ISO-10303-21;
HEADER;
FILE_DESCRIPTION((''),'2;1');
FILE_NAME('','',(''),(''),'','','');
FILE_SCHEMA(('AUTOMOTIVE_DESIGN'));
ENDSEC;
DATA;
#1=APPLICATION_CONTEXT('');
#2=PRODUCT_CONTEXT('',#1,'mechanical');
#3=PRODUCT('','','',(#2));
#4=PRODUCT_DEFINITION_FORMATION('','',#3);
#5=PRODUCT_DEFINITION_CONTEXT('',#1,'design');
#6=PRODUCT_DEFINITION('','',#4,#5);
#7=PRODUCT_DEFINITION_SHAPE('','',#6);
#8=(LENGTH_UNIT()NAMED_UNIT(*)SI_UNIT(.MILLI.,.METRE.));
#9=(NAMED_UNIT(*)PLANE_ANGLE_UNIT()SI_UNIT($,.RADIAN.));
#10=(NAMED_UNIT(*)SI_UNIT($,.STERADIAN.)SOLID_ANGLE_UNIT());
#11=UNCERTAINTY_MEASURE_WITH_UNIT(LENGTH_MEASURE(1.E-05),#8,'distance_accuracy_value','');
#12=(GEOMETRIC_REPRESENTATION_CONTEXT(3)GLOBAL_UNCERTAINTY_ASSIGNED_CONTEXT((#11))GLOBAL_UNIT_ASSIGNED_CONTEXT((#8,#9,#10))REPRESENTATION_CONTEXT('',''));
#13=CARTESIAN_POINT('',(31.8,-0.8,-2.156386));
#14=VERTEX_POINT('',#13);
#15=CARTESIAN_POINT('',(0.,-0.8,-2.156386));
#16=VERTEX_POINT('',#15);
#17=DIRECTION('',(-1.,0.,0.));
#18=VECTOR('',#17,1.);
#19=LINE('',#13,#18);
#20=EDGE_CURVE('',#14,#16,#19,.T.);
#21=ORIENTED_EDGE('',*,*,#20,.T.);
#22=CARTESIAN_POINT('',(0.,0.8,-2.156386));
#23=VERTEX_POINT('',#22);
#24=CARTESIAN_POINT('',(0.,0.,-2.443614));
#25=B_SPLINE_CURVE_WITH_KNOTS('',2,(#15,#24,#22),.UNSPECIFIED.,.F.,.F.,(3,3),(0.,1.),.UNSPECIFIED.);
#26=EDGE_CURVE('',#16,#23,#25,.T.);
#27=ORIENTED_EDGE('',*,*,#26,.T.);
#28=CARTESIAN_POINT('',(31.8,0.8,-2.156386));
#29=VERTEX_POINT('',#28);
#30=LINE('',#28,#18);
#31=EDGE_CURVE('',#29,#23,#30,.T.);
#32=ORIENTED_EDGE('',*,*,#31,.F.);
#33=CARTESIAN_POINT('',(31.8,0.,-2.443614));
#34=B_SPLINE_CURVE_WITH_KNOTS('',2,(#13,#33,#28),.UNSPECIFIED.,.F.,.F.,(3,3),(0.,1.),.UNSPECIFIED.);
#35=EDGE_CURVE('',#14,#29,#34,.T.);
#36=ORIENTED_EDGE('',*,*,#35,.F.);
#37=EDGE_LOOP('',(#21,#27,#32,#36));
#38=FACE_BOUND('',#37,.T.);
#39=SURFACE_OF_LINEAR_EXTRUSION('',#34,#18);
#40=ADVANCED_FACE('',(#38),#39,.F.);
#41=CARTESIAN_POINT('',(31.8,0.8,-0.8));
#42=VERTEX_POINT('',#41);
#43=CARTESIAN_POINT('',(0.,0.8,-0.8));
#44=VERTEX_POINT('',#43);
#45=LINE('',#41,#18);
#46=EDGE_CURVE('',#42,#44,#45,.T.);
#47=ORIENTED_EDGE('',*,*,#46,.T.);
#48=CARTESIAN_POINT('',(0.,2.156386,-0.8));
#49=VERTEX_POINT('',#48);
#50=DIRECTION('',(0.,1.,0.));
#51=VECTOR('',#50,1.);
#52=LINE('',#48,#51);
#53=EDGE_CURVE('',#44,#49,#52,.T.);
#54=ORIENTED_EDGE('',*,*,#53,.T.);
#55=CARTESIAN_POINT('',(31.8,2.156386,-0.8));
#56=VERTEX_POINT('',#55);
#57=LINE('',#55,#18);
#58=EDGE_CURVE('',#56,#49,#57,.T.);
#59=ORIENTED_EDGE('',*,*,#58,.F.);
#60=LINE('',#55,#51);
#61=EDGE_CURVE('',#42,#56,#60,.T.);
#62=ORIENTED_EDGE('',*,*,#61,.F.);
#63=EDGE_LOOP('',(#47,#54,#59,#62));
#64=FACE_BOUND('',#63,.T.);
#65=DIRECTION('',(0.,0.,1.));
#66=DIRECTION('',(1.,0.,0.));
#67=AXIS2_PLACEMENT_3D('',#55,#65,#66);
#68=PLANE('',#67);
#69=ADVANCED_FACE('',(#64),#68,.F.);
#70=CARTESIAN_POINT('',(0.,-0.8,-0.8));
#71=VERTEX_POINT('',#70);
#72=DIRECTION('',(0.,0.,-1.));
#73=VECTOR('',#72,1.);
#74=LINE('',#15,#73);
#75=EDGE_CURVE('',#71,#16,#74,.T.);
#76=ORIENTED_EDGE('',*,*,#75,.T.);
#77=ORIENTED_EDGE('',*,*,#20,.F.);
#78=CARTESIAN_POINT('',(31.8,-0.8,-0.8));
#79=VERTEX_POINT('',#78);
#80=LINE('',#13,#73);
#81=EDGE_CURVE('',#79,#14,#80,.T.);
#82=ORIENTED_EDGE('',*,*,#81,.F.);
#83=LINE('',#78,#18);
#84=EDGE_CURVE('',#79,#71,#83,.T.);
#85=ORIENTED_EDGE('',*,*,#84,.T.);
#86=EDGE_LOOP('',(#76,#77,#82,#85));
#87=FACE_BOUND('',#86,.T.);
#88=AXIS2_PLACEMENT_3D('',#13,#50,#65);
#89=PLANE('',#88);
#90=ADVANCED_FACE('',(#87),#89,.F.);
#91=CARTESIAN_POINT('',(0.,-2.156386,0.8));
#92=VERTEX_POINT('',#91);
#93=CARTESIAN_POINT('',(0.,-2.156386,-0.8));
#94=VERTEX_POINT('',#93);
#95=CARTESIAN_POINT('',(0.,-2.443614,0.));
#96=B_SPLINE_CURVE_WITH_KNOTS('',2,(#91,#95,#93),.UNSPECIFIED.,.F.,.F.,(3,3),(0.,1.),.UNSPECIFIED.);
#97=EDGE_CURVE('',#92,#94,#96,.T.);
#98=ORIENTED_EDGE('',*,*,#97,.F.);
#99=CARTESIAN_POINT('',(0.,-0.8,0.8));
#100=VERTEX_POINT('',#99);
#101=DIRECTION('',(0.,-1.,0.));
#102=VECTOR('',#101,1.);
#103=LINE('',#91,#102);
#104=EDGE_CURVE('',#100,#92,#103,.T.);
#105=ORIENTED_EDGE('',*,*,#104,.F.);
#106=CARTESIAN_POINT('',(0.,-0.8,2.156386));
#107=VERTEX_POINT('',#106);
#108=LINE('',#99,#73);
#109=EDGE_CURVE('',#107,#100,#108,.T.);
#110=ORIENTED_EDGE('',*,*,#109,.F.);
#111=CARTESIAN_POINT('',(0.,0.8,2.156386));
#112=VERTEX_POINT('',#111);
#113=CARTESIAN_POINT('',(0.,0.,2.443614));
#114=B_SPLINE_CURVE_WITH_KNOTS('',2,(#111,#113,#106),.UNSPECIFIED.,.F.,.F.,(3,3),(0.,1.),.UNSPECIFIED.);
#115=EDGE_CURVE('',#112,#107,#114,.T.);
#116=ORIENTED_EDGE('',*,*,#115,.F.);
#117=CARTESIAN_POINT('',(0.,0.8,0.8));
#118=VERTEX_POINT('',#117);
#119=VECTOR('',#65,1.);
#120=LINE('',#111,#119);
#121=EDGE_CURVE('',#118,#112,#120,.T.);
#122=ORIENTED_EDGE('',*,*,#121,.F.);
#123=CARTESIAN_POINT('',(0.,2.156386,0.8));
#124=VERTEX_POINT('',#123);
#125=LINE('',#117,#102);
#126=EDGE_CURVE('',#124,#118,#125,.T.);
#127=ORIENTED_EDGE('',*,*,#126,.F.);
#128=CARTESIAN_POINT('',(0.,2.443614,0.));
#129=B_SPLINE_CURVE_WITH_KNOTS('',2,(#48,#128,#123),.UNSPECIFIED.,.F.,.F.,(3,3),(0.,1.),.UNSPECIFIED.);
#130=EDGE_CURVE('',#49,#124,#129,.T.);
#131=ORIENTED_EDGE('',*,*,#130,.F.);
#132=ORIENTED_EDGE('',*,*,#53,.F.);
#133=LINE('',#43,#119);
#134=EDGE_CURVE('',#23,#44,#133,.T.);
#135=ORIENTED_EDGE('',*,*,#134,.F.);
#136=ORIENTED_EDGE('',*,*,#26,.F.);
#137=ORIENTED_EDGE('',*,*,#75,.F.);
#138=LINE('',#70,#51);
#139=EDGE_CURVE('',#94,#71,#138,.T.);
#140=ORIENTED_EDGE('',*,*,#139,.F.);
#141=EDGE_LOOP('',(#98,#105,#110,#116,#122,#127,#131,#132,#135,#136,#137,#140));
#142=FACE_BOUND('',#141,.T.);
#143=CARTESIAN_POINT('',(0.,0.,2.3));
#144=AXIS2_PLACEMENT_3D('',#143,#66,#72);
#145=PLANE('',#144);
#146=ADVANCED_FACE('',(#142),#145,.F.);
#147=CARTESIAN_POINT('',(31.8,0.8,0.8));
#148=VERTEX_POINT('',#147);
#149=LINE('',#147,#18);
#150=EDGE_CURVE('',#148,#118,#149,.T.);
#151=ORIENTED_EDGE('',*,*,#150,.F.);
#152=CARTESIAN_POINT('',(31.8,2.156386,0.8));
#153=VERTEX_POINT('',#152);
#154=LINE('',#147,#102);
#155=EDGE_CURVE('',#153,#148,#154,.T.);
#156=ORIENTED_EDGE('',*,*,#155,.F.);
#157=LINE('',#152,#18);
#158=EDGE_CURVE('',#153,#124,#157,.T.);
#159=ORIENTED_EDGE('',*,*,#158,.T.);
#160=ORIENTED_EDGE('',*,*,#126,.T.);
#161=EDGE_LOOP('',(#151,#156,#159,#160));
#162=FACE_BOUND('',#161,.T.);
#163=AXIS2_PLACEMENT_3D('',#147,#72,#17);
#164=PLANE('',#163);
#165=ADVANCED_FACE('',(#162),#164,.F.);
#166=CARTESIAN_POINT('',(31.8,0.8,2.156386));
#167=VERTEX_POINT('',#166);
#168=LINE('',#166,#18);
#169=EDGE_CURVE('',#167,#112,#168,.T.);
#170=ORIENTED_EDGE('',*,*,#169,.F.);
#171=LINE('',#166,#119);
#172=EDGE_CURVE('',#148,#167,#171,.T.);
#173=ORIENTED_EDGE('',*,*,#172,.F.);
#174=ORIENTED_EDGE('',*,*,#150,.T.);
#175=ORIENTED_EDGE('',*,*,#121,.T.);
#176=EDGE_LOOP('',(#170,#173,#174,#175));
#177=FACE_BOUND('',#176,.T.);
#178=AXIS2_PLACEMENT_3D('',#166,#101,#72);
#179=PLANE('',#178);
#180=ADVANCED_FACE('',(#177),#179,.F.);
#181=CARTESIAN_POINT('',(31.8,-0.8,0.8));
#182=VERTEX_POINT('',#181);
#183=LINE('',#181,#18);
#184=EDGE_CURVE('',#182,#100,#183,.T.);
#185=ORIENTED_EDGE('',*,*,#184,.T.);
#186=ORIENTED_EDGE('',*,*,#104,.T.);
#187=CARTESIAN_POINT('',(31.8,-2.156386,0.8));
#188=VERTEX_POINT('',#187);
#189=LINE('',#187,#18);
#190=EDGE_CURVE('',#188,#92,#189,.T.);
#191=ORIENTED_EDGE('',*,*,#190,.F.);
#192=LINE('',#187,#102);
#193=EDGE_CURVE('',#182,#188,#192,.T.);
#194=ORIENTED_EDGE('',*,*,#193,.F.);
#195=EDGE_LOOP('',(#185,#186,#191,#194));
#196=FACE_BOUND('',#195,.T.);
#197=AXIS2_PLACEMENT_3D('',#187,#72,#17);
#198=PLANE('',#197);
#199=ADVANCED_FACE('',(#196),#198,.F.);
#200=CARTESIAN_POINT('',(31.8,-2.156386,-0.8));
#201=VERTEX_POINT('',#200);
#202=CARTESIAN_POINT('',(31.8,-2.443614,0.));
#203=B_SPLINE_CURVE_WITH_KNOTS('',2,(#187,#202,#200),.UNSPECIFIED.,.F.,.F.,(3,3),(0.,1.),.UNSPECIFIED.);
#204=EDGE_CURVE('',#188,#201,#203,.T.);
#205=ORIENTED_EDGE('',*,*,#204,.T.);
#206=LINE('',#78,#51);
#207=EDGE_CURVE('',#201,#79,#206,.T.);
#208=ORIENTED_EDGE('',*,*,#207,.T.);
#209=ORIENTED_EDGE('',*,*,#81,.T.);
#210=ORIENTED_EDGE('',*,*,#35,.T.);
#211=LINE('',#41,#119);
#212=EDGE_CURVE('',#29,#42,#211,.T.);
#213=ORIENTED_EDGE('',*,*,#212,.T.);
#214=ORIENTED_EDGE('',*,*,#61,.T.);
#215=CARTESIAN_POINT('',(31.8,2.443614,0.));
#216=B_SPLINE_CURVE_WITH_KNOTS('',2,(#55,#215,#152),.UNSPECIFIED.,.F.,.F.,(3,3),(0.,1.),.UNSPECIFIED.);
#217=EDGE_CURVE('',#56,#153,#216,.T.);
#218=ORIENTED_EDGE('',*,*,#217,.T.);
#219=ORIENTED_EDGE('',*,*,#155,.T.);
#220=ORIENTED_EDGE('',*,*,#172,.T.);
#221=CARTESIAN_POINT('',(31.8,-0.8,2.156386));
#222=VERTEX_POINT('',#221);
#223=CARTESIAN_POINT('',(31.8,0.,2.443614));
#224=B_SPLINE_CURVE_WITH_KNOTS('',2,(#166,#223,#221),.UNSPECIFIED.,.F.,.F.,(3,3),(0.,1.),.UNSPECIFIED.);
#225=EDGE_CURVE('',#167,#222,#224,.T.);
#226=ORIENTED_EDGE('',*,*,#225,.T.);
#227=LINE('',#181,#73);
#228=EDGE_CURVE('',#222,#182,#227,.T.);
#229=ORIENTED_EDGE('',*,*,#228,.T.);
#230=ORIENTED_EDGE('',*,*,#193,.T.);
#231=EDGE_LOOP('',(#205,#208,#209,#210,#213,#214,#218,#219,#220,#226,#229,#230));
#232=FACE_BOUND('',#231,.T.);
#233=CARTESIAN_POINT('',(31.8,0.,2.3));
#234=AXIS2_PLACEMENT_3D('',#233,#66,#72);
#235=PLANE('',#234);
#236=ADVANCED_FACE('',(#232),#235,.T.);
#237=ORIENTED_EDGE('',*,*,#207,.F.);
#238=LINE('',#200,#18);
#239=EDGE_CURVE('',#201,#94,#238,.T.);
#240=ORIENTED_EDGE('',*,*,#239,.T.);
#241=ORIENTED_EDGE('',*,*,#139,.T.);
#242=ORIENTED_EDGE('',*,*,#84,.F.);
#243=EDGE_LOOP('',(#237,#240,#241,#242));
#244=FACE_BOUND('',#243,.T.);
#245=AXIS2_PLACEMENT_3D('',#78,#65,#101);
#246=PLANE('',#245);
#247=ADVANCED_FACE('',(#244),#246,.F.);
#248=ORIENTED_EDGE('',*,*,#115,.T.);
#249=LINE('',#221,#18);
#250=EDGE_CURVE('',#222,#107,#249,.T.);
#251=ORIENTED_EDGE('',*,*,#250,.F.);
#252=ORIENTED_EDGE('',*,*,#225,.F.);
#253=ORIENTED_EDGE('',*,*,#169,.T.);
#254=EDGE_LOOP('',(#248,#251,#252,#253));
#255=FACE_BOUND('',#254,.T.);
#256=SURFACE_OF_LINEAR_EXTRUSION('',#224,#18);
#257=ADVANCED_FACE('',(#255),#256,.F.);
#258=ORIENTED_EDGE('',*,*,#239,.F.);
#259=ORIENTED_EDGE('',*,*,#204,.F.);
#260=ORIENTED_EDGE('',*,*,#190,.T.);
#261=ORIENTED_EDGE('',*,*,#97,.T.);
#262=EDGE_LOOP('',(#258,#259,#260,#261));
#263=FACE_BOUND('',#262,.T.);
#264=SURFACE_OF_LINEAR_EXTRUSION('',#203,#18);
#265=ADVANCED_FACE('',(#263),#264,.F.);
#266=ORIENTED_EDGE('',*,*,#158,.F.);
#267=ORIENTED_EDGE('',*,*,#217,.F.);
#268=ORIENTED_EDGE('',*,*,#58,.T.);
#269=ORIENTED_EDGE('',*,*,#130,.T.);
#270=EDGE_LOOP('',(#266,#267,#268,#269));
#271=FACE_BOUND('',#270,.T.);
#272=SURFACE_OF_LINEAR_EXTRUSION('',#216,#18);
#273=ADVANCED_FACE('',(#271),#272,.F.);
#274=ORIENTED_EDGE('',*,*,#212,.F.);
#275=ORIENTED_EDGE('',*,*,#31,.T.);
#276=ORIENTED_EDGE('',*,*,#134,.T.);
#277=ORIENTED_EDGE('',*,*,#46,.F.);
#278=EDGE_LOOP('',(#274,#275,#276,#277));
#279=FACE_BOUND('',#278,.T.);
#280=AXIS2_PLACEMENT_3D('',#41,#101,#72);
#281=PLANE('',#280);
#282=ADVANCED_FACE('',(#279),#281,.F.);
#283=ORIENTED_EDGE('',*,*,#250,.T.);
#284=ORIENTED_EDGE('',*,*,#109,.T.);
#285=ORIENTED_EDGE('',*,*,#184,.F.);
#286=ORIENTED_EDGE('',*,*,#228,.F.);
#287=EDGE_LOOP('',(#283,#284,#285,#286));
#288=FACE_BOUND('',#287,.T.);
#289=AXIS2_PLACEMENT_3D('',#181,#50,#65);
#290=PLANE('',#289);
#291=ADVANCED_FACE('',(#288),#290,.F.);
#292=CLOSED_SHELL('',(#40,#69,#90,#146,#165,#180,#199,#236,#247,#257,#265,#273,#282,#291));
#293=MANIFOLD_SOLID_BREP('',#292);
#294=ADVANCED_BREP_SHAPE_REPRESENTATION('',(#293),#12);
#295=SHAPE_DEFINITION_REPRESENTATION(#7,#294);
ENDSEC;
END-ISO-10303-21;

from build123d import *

# Parameters (mm, degrees)
BOSS_EXTRUDE1_DEPTH = 31.8


with BuildPart() as part:
    # Sketch1 → Boss-Extrude1 (new body)
    with BuildSketch(Plane(origin=(0, 0, 0), x_dir=(0, 0, -1), z_dir=(1, 0, 0))):
        with BuildLine():
            Line((-2.156385865, 0.8), (-0.8, 0.8))
            Line((-0.8, 0.8), (-0.8, 2.156385865))
            add(Edge.make_bspline(
                [(-0.8, 2.156385865), (0, 2.443614135), (0.8, 2.156385865)],
                knots=[0, 0, 0, 1, 1, 1], degree=2))
            Line((0.8, 2.156385865), (0.8, 0.8))
            Line((0.8, 0.8), (2.156385865, 0.8))
            add(Edge.make_bspline(
                [(2.156385865, 0.8), (2.443614135, 0), (2.156385865, -0.8)],
                knots=[0, 0, 0, 1, 1, 1], degree=2))
            Line((2.156385865, -0.8), (0.8, -0.8))
            Line((0.8, -0.8), (0.8, -2.156385865))
            add(Edge.make_bspline(
                [(0.8, -2.156385865), (0, -2.443614135), (-0.8, -2.156385865)],
                knots=[0, 0, 0, 1, 1, 1], degree=2))
            Line((-0.8, -2.156385865), (-0.8, -0.8))
            Line((-0.8, -0.8), (-2.156385865, -0.8))
            add(Edge.make_bspline(
                [(-2.156385865, -0.8), (-2.443614135, 0), (-2.156385865, 0.8)],
                knots=[0, 0, 0, 1, 1, 1], degree=2))
        make_face()
    extrude(amount=BOSS_EXTRUDE1_DEPTH)


solid = part.part
